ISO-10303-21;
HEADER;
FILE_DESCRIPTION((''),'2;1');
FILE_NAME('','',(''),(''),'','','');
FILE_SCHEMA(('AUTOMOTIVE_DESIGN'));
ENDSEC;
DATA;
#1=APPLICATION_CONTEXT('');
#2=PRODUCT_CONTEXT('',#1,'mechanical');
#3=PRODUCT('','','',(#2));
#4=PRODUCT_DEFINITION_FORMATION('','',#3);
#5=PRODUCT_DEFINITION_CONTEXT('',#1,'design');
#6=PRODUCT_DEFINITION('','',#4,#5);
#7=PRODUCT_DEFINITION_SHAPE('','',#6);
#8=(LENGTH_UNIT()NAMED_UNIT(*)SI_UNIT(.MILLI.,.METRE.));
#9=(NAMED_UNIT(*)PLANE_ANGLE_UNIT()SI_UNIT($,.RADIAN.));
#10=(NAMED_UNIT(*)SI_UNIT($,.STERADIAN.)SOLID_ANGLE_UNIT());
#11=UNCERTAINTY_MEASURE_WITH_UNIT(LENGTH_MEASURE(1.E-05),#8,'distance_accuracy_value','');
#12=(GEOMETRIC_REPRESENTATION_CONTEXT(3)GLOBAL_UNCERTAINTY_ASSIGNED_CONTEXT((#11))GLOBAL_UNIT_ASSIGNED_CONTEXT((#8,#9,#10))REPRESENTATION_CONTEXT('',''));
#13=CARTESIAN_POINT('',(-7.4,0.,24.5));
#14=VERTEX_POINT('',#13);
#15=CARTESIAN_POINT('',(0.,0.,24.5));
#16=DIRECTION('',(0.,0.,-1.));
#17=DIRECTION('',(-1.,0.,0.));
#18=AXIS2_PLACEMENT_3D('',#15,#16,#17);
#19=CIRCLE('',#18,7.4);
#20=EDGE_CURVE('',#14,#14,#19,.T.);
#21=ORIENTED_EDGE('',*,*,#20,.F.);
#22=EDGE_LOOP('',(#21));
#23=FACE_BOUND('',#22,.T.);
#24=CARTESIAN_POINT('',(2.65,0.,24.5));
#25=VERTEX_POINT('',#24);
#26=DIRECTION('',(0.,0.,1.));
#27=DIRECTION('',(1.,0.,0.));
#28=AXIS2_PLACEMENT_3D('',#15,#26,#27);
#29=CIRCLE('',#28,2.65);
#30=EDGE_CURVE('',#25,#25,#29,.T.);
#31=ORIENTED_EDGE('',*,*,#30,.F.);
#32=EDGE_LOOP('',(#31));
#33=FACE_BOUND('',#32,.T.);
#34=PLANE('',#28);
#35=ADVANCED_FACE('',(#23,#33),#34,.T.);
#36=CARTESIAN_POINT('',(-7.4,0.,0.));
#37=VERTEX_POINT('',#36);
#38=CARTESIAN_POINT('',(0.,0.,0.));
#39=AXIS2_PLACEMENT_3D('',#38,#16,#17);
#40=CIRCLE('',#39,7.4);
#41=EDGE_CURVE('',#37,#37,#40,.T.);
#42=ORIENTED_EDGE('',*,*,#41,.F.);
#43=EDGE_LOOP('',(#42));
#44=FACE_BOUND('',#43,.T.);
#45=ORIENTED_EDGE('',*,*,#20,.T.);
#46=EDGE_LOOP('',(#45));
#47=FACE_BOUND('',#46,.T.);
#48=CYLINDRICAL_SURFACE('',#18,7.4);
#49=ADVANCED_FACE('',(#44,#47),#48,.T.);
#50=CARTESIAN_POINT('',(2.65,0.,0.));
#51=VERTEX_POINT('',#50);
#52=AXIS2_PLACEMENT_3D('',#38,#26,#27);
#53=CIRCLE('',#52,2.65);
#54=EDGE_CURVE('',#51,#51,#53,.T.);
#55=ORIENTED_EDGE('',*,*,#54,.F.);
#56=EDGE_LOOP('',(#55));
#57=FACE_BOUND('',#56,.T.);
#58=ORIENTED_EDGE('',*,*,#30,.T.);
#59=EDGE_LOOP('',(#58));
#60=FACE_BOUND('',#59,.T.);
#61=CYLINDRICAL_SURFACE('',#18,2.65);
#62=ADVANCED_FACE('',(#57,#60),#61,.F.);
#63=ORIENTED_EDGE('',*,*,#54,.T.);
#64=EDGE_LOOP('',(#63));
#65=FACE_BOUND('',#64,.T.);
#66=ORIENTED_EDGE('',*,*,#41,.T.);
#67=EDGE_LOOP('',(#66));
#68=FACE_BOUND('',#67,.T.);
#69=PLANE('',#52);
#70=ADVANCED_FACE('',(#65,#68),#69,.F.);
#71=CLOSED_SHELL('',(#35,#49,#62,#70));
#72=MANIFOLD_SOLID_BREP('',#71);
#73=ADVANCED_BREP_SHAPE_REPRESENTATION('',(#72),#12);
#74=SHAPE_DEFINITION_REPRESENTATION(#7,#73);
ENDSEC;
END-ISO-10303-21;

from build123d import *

# Parameters (mm, degrees)
SKETCH_1_R      = 4.9
SKETCH_1_R_2    = 2.65
EXTRUDE_1_DEPTH = 24.5
SKETCH_3_R      = 7.4
SKETCH_3_R_2    = 2.65
EXTRUDE_3_DEPTH = 24.5


with BuildPart() as part:
    # 草图1 → 凸台-拉伸1 (new body)
    with BuildSketch(Plane.XY):
        Circle(SKETCH_1_R)
        Circle(SKETCH_1_R_2, mode=Mode.SUBTRACT)
    extrude(amount=EXTRUDE_1_DEPTH)

    # 草图3 → 凸台-拉伸3 (add)
    with BuildSketch(Plane(origin=(0, 0, 0), x_dir=(-1, 0, 0), z_dir=(0, 0, -1))):
        Circle(SKETCH_3_R)
        with Locations(Location((0, 0, 0), (0, 0, 180))):
            Circle(SKETCH_3_R_2, mode=Mode.SUBTRACT)
    extrude(amount=-EXTRUDE_3_DEPTH)


solid = part.part
